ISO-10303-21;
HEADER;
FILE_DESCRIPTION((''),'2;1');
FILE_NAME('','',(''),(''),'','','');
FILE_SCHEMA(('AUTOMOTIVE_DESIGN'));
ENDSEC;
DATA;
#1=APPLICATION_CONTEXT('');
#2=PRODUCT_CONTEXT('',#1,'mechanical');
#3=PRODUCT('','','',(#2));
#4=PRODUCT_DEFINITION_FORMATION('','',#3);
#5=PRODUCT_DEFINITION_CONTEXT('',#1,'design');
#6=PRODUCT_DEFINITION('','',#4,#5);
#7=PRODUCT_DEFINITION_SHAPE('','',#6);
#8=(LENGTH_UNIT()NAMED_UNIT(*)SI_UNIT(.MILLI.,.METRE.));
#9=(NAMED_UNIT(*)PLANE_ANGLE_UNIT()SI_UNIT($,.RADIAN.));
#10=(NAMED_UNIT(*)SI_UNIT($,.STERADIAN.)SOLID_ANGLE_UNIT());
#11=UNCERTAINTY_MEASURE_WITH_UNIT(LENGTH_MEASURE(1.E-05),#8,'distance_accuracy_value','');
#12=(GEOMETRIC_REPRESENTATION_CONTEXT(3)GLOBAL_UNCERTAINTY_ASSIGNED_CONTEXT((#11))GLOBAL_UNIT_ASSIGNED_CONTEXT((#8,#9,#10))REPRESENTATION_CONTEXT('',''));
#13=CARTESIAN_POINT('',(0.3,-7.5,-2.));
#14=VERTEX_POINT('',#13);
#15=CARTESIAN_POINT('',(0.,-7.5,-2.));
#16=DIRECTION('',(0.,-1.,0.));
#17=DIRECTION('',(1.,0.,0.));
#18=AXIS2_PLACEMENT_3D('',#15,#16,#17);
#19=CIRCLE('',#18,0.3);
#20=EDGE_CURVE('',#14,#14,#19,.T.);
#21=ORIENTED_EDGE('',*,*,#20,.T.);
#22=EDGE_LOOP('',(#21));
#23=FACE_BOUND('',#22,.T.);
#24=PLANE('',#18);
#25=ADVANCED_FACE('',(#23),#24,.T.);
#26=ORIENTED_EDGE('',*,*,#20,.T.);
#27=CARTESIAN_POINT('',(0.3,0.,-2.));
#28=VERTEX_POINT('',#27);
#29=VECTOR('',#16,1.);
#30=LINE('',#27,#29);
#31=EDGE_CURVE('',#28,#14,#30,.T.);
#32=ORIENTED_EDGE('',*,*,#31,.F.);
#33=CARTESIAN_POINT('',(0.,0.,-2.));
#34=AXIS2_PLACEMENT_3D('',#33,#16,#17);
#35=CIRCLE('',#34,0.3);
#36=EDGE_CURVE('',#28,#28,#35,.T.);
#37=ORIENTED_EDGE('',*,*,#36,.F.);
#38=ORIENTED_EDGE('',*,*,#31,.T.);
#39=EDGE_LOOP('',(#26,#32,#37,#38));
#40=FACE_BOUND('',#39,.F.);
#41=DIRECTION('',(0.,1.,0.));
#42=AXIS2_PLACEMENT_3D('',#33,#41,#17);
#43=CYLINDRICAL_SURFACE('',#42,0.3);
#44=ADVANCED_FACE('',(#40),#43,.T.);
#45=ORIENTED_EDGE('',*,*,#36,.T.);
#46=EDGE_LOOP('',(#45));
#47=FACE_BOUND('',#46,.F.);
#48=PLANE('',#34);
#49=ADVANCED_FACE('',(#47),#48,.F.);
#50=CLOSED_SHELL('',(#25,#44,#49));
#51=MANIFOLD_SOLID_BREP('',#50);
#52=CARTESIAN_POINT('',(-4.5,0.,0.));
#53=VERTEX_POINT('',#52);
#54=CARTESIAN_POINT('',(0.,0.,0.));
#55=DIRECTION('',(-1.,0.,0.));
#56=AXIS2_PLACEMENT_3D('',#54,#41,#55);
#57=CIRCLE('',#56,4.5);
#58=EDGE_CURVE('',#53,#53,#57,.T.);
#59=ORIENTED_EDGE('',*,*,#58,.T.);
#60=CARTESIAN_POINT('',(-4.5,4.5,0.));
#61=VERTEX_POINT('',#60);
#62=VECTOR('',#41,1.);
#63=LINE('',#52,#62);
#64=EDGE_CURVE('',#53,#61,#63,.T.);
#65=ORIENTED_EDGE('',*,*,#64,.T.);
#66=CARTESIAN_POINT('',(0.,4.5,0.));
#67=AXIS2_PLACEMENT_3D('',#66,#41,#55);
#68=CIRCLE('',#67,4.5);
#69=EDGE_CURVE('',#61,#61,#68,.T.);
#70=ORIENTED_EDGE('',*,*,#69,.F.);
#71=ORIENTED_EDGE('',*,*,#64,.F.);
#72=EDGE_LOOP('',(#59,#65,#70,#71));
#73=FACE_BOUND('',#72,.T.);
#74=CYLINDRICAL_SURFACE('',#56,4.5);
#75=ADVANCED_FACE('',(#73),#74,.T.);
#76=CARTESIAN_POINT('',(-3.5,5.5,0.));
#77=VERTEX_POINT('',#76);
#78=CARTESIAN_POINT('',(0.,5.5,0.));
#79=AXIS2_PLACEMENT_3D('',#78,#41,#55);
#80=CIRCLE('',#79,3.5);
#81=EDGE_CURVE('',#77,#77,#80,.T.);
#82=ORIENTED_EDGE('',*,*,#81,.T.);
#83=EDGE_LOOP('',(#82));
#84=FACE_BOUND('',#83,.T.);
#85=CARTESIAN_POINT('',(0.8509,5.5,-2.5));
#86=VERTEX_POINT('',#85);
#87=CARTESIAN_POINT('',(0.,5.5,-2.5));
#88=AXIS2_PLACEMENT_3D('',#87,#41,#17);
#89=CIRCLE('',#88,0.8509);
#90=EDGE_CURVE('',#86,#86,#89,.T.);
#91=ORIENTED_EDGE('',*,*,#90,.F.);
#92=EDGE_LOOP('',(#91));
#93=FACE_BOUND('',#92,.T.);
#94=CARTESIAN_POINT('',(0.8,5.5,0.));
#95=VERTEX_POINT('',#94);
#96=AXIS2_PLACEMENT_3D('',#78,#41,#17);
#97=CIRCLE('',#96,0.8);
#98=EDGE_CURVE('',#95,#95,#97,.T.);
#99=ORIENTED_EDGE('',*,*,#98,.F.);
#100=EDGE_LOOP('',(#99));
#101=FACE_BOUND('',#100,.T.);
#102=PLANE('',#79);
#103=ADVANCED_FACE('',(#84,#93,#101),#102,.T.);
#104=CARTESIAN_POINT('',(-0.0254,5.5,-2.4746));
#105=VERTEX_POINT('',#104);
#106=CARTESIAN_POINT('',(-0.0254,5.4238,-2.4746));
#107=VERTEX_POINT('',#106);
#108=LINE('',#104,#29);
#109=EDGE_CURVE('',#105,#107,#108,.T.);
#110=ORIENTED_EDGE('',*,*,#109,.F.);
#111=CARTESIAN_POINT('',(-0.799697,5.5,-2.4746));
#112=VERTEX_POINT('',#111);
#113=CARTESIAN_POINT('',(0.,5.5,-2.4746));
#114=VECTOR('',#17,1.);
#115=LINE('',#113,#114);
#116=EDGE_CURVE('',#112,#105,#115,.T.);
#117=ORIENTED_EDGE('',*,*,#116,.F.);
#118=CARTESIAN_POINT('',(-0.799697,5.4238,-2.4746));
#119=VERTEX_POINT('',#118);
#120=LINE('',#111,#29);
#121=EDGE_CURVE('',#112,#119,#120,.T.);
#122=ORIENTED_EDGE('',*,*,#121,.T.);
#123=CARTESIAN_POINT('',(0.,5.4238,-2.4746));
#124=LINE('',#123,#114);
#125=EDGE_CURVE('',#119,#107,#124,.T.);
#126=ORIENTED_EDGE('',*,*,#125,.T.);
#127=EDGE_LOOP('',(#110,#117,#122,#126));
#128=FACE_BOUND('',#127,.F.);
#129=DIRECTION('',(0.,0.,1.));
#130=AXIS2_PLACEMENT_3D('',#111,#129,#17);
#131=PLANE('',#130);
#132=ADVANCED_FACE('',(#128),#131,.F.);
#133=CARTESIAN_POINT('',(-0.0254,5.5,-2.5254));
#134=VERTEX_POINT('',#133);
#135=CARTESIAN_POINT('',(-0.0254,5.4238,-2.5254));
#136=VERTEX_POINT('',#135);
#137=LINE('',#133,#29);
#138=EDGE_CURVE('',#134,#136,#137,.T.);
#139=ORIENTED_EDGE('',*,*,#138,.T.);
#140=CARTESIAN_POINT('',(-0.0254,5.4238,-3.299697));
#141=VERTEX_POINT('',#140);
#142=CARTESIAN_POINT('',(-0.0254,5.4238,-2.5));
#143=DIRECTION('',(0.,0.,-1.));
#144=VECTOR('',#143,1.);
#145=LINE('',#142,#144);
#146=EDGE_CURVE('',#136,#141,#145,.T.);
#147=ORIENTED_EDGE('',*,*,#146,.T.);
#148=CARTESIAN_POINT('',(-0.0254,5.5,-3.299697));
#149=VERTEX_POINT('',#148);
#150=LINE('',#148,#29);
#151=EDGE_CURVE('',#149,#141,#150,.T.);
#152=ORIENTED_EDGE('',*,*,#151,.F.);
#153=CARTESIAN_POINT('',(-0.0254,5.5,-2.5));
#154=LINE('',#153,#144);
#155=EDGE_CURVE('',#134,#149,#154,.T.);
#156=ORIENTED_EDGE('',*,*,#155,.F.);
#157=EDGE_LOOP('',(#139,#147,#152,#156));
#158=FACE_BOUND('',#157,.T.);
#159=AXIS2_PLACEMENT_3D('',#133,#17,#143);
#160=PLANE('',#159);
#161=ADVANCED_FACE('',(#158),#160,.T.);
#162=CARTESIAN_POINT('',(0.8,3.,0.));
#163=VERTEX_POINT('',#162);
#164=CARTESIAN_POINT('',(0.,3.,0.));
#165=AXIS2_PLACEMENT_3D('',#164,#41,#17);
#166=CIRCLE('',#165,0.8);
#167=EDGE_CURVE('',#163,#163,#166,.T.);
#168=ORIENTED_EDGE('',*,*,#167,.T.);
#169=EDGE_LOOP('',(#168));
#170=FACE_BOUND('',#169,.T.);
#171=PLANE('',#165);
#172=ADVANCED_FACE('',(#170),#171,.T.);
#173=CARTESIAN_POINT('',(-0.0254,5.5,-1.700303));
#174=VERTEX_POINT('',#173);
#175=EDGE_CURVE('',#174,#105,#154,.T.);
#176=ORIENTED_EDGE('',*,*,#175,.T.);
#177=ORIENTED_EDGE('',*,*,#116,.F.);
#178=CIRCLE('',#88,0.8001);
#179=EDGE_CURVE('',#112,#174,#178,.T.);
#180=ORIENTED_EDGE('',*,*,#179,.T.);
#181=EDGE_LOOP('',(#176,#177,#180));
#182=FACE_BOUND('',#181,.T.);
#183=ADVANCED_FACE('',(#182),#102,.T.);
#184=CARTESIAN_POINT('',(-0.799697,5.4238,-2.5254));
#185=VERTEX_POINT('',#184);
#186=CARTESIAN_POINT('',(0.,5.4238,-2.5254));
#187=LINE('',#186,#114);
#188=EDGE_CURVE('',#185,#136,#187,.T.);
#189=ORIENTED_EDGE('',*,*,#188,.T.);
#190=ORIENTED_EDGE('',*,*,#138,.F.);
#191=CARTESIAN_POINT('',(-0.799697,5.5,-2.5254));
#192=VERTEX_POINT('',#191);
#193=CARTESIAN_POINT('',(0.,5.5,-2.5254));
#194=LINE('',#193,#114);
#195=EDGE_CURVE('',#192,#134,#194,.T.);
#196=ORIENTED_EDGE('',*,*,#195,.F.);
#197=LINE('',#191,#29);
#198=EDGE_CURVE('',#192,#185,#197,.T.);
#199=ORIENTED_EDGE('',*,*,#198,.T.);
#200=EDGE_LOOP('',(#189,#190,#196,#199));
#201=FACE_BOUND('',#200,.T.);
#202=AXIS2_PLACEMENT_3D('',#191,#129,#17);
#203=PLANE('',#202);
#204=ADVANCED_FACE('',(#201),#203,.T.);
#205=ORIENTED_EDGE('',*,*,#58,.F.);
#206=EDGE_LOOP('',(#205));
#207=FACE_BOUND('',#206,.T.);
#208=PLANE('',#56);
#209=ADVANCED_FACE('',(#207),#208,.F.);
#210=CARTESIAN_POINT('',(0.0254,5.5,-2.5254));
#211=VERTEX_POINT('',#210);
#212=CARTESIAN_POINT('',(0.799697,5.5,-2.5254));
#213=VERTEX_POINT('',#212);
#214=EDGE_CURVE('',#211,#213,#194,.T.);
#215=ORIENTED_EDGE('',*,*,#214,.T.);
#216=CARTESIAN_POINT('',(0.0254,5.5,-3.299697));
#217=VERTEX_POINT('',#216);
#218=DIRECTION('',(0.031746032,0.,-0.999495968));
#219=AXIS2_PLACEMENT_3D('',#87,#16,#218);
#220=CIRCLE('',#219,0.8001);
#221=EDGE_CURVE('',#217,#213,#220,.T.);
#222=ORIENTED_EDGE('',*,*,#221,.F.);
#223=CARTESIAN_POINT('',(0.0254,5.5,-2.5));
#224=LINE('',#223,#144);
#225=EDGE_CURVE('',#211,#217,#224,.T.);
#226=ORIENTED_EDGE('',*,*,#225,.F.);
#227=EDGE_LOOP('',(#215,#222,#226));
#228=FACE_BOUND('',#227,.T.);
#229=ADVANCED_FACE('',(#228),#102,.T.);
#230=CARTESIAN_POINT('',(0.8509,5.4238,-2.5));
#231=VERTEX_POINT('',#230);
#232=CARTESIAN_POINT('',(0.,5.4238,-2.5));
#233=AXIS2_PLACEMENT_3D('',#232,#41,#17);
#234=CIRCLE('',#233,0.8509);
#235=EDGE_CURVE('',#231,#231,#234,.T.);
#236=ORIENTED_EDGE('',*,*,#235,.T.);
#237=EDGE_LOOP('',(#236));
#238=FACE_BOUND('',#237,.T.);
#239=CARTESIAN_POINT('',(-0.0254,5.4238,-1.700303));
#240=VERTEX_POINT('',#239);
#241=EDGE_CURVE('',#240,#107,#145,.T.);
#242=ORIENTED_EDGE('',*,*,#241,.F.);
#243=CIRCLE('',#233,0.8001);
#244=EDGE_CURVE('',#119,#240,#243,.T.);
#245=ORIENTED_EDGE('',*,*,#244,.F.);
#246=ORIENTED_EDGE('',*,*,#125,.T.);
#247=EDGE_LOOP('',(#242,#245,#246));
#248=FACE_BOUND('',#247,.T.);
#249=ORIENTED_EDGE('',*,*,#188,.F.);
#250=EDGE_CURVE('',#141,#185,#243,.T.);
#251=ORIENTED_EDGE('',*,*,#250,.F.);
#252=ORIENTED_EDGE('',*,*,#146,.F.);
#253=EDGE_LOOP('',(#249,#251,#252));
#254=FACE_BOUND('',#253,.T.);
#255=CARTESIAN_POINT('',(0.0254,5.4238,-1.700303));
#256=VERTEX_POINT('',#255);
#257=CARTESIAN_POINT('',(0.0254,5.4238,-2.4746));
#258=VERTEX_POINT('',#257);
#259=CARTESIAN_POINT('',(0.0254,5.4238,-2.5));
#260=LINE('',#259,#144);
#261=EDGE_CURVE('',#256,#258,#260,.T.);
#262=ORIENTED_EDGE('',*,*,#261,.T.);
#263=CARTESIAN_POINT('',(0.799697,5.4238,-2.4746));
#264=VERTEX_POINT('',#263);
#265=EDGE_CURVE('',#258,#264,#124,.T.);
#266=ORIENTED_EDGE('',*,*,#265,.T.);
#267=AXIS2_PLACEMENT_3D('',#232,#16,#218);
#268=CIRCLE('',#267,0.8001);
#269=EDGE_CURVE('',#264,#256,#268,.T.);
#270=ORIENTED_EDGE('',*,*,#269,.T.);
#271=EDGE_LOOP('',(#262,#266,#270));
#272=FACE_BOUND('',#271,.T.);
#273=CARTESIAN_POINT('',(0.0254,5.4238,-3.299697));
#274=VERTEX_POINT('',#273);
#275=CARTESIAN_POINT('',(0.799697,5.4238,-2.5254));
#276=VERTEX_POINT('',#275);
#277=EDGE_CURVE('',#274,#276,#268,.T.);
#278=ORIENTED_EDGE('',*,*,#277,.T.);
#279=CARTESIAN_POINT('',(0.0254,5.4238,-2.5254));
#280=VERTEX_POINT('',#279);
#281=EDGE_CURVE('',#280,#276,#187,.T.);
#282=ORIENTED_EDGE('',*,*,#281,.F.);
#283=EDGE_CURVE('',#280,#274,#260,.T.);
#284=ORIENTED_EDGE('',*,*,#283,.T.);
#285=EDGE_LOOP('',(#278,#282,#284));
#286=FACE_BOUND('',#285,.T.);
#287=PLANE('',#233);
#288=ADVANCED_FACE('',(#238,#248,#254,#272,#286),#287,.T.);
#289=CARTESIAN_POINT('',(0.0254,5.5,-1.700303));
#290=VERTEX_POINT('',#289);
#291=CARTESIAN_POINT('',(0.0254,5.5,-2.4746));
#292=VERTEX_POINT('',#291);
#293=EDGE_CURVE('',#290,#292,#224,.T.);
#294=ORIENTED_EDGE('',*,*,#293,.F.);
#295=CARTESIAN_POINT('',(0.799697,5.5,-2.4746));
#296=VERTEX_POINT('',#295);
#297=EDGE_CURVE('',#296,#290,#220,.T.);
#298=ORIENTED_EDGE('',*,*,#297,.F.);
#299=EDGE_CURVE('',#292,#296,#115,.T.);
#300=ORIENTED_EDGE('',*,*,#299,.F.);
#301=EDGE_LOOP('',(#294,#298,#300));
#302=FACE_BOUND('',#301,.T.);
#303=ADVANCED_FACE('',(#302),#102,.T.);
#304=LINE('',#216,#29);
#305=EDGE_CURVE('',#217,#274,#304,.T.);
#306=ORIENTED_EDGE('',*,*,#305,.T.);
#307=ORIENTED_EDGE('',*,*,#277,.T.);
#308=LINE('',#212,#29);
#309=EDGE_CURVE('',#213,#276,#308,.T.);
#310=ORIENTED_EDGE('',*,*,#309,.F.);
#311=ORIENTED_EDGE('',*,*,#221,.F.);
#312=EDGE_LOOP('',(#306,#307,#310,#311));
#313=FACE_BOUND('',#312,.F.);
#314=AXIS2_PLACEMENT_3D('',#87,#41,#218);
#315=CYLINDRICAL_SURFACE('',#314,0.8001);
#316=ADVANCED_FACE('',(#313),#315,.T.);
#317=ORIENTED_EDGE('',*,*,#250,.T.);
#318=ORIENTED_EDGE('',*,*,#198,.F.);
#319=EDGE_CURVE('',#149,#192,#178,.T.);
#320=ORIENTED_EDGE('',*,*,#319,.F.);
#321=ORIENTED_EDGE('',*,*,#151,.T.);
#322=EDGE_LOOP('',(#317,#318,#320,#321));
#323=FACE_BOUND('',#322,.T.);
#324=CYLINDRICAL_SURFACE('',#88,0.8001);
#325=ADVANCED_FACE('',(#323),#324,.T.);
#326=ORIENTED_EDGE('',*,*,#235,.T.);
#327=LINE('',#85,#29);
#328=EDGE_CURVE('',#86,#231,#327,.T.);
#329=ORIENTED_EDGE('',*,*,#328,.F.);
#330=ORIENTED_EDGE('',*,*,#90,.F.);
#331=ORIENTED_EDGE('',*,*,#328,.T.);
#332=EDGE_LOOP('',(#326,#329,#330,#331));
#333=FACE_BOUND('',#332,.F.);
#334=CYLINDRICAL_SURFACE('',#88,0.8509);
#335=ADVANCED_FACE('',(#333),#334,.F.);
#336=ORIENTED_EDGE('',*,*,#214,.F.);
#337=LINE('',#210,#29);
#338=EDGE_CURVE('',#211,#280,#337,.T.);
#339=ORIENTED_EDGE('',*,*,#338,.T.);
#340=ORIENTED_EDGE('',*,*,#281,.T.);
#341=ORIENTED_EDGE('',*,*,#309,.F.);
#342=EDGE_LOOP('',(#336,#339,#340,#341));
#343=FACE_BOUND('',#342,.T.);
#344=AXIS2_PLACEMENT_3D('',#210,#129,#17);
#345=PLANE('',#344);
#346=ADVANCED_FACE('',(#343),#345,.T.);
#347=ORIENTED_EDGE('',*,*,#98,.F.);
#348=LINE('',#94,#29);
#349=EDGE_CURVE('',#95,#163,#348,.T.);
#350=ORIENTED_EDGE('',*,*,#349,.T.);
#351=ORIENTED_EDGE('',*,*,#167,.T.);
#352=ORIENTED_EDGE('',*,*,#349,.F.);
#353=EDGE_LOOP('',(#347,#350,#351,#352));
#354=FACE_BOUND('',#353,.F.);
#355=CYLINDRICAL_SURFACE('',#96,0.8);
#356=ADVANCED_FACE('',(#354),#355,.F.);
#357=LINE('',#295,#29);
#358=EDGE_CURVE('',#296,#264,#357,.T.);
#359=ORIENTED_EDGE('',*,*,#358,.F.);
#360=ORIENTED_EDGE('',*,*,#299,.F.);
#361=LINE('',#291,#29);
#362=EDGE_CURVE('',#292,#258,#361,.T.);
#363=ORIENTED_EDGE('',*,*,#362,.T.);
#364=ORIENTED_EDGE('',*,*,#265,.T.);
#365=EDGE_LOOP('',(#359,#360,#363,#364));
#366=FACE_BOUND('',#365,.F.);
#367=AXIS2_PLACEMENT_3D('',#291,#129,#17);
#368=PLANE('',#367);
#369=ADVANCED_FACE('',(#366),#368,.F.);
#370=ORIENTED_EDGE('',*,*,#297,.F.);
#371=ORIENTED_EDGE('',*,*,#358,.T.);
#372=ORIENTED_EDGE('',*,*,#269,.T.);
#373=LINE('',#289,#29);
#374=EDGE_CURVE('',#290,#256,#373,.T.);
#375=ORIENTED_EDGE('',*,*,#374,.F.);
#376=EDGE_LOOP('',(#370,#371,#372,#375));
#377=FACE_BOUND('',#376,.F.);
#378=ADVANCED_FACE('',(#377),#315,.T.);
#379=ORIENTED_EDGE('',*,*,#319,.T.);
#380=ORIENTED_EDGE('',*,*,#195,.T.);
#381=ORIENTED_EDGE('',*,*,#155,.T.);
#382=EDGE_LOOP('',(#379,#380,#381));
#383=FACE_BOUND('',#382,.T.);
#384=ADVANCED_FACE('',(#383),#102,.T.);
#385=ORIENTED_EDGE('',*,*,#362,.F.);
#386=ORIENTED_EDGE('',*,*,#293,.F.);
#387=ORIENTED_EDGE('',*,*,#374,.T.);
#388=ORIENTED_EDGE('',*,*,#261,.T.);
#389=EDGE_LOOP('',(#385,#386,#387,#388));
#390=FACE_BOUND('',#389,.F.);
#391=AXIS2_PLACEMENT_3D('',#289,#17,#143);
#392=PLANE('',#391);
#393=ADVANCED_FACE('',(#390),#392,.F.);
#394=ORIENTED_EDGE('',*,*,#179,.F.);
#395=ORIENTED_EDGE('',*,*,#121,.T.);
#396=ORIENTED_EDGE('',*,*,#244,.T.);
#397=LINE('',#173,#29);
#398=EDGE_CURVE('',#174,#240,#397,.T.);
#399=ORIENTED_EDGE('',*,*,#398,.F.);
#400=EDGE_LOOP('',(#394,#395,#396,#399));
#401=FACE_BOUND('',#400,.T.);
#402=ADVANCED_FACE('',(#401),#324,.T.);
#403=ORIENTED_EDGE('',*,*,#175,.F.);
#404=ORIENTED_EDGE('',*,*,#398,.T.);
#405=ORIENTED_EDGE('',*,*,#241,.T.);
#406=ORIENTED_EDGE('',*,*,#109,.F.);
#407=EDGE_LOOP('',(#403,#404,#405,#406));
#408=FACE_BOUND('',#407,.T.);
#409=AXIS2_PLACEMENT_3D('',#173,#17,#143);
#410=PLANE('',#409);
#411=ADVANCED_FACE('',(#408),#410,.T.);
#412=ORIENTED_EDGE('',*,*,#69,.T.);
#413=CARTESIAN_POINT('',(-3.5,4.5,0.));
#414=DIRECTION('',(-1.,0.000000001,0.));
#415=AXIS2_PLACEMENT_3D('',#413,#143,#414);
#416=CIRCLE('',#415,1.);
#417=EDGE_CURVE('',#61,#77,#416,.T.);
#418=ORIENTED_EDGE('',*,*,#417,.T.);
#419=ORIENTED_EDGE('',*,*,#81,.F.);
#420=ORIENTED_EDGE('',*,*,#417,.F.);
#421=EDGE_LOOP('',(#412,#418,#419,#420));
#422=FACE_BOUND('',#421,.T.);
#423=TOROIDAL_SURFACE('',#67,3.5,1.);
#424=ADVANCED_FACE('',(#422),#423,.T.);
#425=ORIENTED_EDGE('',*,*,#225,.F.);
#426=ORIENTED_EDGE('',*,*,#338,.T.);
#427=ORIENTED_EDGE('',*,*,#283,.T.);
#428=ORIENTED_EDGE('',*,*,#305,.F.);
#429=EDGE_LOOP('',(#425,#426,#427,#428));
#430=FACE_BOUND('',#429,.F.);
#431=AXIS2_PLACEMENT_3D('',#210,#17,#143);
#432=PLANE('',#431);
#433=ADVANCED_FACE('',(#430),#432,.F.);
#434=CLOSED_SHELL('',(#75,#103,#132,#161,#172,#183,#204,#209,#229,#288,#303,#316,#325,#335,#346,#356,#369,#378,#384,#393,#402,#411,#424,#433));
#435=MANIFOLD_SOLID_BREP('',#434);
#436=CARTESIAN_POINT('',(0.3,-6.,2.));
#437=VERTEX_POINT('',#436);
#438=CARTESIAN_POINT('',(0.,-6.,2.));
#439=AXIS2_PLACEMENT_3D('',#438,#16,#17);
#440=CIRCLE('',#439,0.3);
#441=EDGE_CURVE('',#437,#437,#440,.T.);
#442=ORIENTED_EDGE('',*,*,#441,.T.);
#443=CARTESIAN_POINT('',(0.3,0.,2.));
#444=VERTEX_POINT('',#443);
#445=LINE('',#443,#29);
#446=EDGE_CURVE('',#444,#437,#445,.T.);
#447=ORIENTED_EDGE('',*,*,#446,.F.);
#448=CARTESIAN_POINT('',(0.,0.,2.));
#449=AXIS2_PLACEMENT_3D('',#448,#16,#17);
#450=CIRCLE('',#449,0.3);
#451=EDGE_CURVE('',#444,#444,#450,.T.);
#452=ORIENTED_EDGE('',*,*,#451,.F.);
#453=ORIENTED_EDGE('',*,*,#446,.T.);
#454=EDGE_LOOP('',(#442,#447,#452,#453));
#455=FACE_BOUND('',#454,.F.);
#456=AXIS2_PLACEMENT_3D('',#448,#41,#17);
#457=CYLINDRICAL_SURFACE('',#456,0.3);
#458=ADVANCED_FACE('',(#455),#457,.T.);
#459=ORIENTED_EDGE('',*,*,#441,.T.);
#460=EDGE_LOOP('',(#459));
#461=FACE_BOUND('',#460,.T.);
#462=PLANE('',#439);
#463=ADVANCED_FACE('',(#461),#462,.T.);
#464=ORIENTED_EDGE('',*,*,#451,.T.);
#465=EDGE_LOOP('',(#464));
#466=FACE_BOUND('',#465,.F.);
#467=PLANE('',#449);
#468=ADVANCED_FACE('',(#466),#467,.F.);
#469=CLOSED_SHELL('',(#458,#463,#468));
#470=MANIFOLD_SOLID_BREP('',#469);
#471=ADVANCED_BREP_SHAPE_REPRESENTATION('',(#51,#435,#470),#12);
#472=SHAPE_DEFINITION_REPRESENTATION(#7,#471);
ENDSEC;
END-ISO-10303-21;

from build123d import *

# Parameters (mm, degrees)
SKETCH2_R               = 0.3
LEADS_DEPTH             = 7.5
LEADS_2_DEPTH           = 7.5
SKETCH3_R               = 0.3
CUT_EXTRUDE1_DEPTH      = 1.5
SKETCH4_R               = 0.8
CUT_EXTRUDE2_DEPTH      = 2.5
SKETCH6_R               = 0.8509
SKETCH6_R_2             = 0.8001
SKETCH6_W               = 0.0508
SKETCH6_H               = 1.651
SKETCH6_W_2             = 1.651
SKETCH6_H_2             = 0.0508
CUT_EXTRUDE_THIN1_DEPTH = 0.0762


with BuildPart() as part:
    # Sketch1 → Body (revolve)
    with BuildSketch(Plane.XY):
        with BuildLine():
            Line((-4.5, 0), (-4.5, 4.5))
            ThreePointArc((-4.5, 4.5), (-4.207106781, 5.207106781), (-3.5, 5.5))
            Line((-3.5, 5.5), (0, 5.5))
            Line((0, 5.5), (0, 0))
            Line((0, 0), (-4.5, 0))
        make_face()
    revolve(axis=Axis((0, 0, 0), (0, 1, 0)))

    # Sketch4 → Cut-Extrude2 (cut)
    with BuildSketch(Plane(origin=(0, 5.5, 0), x_dir=(1, 0, 0), z_dir=(0, 1, 0))):
        Circle(SKETCH4_R)
    extrude(amount=-CUT_EXTRUDE2_DEPTH, mode=Mode.SUBTRACT)

    # Sketch6 → Cut-Extrude-Thin1 (cut)
    with BuildSketch(Plane(origin=(0, 5.5, 0), x_dir=(1, 0, 0), z_dir=(0, 1, 0))):
        with Locations((0, 2.5)):
            Circle(SKETCH6_R)
        with Locations((0, 2.5)):
            Circle(SKETCH6_R_2, mode=Mode.SUBTRACT)
        with Locations((0, 2.5)):
            Rectangle(SKETCH6_W, SKETCH6_H)
        with Locations((0, 2.5)):
            Rectangle(SKETCH6_W_2, SKETCH6_H_2)
    extrude(amount=-CUT_EXTRUDE_THIN1_DEPTH, mode=Mode.SUBTRACT)


with BuildPart() as body_2:
    # Sketch2 → Leads (new body)
    with BuildSketch(Plane.XZ):
        with Locations((0, 2)):
            Circle(SKETCH2_R)
    extrude(amount=LEADS_DEPTH)

    # Sketch3 → Cut-Extrude1 (cut)
    with BuildSketch(Plane.XZ.offset(7.5)):
        with Locations((0, 2)):
            Circle(SKETCH3_R)
    extrude(amount=-CUT_EXTRUDE1_DEPTH, mode=Mode.SUBTRACT)


with BuildPart() as body_3:
    # Sketch2 → Leads 2 (new body)
    with BuildSketch(Plane.XZ):
        with Locations((0, -2)):
            Circle(SKETCH2_R)
    extrude(amount=LEADS_2_DEPTH)


solid = Compound([part.part, body_2.part, body_3.part])
